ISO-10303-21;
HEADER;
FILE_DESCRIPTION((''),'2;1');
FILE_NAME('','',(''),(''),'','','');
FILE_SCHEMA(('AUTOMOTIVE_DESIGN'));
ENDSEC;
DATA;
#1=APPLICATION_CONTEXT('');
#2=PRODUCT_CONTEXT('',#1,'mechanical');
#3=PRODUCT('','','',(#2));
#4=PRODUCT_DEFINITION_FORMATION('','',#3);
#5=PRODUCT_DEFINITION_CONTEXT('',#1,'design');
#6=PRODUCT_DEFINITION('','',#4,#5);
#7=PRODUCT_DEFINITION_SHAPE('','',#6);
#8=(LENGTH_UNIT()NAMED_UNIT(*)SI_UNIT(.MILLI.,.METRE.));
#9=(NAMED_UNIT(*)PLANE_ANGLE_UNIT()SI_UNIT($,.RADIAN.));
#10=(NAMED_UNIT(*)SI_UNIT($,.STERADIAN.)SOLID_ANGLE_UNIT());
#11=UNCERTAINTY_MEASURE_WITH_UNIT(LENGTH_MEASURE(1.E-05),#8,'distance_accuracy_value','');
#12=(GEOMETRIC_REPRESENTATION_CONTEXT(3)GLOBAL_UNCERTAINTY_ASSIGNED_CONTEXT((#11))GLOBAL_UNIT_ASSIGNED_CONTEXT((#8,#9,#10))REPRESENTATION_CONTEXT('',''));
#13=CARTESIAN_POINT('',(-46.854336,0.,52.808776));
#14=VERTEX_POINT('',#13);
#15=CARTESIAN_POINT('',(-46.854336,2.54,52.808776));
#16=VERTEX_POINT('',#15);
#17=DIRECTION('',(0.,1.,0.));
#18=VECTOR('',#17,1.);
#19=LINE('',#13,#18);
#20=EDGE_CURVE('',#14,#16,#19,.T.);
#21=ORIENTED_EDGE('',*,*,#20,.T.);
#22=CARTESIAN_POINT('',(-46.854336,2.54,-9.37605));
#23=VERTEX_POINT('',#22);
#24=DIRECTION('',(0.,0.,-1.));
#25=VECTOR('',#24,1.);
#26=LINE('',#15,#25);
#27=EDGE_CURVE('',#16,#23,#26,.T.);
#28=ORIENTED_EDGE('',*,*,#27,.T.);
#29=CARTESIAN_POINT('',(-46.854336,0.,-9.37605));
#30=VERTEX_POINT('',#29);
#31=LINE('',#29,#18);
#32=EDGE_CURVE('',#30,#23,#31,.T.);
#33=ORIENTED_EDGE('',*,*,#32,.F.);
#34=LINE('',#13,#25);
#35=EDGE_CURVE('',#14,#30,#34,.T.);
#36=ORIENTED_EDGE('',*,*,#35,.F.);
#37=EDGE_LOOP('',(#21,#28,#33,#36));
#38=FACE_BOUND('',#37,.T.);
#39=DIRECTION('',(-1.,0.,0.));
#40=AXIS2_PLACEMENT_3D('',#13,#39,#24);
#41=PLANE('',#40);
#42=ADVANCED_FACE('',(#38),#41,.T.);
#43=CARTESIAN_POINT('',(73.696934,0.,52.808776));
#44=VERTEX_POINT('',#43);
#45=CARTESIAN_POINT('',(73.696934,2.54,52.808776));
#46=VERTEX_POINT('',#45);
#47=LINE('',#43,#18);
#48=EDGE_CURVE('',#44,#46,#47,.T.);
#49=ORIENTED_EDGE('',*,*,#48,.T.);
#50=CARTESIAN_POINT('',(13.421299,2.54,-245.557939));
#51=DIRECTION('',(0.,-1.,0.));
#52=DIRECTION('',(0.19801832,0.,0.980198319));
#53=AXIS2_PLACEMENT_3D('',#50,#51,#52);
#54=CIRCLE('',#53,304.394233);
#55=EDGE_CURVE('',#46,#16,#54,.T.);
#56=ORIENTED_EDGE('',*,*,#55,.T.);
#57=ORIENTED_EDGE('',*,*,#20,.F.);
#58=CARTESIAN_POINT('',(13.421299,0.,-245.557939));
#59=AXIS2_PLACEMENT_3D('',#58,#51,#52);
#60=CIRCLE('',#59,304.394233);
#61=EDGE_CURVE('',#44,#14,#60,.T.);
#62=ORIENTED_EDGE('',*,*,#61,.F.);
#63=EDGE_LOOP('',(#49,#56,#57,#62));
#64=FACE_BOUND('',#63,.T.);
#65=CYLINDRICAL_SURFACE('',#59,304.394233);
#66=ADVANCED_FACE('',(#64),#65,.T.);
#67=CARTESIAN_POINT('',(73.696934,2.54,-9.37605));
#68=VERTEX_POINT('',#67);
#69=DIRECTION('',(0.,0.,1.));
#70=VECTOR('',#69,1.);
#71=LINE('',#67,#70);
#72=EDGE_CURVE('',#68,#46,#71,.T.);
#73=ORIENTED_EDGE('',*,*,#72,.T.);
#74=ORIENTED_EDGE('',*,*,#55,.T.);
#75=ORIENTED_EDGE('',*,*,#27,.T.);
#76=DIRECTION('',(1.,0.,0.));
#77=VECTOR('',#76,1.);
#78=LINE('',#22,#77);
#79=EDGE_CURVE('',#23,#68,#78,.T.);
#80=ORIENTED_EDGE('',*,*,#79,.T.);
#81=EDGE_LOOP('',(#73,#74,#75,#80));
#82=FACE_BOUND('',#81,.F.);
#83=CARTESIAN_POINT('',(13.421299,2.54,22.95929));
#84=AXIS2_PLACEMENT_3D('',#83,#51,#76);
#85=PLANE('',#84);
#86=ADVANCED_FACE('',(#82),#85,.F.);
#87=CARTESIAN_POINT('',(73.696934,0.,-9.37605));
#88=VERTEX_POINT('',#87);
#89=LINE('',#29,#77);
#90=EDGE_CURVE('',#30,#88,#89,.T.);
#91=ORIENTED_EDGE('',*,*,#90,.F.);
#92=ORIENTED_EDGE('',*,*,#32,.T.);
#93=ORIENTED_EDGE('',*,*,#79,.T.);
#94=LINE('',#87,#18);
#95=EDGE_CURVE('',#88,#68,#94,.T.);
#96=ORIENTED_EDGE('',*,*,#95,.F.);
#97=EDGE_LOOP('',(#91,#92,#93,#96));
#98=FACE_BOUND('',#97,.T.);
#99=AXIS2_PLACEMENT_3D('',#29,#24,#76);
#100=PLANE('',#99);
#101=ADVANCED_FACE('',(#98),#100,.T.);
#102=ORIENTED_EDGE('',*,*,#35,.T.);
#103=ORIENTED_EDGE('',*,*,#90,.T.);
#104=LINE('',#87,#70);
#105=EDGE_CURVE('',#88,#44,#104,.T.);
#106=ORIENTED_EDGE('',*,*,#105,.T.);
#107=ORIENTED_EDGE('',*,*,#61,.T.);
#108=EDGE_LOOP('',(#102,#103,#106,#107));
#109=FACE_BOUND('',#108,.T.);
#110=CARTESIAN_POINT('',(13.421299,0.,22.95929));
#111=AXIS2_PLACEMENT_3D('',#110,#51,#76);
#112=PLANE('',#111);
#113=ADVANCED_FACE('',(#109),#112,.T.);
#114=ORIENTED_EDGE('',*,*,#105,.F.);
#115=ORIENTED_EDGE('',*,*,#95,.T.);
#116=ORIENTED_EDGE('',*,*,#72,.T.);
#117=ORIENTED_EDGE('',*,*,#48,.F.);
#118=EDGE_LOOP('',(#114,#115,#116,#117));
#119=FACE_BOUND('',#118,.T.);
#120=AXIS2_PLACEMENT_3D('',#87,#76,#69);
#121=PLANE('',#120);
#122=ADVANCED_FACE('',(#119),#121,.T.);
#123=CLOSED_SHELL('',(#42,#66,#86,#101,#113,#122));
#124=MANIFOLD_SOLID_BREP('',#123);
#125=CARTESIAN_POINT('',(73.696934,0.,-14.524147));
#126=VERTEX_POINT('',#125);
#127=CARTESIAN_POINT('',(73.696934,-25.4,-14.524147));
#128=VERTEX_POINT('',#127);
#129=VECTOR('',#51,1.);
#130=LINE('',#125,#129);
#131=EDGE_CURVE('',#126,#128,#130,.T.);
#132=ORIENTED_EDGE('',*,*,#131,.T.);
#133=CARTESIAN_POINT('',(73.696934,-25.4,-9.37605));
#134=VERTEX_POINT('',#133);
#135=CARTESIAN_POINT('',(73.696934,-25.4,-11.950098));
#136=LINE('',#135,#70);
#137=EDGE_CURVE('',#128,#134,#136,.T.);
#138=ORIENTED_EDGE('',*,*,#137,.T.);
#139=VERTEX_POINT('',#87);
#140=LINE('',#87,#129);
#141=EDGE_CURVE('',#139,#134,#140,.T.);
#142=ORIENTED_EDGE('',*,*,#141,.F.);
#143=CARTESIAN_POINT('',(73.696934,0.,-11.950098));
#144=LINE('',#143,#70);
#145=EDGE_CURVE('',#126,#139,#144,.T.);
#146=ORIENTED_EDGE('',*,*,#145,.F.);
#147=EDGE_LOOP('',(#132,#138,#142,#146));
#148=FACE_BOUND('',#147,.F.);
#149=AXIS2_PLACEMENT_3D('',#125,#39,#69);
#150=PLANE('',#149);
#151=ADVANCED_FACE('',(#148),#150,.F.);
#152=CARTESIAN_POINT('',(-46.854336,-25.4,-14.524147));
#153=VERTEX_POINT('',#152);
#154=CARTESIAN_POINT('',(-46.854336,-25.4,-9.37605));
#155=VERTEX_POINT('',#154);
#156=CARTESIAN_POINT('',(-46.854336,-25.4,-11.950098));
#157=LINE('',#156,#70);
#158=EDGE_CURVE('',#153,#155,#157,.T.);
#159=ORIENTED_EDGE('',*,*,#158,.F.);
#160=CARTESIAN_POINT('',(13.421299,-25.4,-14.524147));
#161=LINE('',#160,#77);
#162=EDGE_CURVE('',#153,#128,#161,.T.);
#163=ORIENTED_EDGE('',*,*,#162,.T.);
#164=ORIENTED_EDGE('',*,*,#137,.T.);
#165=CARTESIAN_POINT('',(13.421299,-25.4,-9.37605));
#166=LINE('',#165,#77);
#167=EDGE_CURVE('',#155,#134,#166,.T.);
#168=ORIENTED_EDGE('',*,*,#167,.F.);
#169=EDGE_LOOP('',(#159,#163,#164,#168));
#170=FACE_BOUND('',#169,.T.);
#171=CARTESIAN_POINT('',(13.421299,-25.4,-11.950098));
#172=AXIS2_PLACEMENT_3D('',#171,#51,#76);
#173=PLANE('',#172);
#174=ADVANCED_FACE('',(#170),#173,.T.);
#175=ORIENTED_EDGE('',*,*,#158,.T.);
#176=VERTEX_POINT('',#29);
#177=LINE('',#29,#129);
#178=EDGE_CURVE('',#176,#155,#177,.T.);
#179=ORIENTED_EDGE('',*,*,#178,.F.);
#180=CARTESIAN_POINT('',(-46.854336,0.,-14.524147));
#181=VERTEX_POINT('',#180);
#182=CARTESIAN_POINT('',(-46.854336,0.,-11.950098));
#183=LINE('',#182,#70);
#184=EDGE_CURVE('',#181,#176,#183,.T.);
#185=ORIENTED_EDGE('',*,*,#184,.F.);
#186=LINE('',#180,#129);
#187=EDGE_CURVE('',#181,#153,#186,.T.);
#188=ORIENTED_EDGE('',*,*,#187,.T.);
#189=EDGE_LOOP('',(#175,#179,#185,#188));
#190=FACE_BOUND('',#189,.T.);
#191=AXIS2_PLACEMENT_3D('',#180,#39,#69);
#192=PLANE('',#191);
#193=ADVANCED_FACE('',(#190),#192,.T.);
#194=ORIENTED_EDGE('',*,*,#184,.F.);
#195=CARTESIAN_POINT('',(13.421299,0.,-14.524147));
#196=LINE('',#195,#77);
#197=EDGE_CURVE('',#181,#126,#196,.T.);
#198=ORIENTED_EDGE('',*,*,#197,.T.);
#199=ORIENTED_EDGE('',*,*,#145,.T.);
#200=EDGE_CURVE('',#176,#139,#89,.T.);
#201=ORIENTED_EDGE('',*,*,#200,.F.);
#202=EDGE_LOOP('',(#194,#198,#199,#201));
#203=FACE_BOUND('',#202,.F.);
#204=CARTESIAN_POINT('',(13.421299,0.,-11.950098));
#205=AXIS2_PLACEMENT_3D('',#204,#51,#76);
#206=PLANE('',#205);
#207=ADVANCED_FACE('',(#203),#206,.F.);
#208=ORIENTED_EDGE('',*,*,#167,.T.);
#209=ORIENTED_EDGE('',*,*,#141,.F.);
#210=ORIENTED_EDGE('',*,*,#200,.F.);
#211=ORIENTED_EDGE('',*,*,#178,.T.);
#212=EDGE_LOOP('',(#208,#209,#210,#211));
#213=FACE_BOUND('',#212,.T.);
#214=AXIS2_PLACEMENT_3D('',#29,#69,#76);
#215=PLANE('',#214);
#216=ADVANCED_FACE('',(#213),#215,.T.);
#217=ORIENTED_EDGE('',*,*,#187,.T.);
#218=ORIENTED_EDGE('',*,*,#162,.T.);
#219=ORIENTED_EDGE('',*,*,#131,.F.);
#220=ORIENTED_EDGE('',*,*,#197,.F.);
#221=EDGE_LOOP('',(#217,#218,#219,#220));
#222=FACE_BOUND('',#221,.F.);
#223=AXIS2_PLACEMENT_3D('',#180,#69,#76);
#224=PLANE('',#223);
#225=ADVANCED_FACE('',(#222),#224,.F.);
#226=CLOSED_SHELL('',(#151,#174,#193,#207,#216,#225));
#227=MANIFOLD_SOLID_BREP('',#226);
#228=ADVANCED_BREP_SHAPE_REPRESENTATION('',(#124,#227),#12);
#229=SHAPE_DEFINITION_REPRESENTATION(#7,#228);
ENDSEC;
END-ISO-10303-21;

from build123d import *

# Parameters (mm, degrees)
F1_DEPTH = 2.54
F0_W     = 120.5512695014
F0_H     = 5.1480969414
F2_DEPTH = 25.4


with BuildPart() as f1:
    # F0 (on Front) → F1 (new body)
    with BuildSketch(Plane.XZ):
        with BuildLine():
            Line((-46.8543358147, 52.8087764978), (-46.8543358147, -9.3760499731))
            Line((-46.8543358147, -9.3760499731), (73.6969336867, -9.3760499731))
            Line((73.6969336867, -9.3760499731), (73.6969336867, 52.8087764978))
            ThreePointArc((73.6969336867, 52.8087764978), (13.421298936, 58.8362939641), (-46.8543358147, 52.8087764978))
        make_face()
    extrude(amount=-F1_DEPTH)

    # F0 (on Front) → F2 (join)
    with BuildSketch(Plane.XZ):
        with Locations((13.421298936, -11.9500984438)):
            Rectangle(F0_W, F0_H)
    extrude(amount=F2_DEPTH)


solid = f1.part
